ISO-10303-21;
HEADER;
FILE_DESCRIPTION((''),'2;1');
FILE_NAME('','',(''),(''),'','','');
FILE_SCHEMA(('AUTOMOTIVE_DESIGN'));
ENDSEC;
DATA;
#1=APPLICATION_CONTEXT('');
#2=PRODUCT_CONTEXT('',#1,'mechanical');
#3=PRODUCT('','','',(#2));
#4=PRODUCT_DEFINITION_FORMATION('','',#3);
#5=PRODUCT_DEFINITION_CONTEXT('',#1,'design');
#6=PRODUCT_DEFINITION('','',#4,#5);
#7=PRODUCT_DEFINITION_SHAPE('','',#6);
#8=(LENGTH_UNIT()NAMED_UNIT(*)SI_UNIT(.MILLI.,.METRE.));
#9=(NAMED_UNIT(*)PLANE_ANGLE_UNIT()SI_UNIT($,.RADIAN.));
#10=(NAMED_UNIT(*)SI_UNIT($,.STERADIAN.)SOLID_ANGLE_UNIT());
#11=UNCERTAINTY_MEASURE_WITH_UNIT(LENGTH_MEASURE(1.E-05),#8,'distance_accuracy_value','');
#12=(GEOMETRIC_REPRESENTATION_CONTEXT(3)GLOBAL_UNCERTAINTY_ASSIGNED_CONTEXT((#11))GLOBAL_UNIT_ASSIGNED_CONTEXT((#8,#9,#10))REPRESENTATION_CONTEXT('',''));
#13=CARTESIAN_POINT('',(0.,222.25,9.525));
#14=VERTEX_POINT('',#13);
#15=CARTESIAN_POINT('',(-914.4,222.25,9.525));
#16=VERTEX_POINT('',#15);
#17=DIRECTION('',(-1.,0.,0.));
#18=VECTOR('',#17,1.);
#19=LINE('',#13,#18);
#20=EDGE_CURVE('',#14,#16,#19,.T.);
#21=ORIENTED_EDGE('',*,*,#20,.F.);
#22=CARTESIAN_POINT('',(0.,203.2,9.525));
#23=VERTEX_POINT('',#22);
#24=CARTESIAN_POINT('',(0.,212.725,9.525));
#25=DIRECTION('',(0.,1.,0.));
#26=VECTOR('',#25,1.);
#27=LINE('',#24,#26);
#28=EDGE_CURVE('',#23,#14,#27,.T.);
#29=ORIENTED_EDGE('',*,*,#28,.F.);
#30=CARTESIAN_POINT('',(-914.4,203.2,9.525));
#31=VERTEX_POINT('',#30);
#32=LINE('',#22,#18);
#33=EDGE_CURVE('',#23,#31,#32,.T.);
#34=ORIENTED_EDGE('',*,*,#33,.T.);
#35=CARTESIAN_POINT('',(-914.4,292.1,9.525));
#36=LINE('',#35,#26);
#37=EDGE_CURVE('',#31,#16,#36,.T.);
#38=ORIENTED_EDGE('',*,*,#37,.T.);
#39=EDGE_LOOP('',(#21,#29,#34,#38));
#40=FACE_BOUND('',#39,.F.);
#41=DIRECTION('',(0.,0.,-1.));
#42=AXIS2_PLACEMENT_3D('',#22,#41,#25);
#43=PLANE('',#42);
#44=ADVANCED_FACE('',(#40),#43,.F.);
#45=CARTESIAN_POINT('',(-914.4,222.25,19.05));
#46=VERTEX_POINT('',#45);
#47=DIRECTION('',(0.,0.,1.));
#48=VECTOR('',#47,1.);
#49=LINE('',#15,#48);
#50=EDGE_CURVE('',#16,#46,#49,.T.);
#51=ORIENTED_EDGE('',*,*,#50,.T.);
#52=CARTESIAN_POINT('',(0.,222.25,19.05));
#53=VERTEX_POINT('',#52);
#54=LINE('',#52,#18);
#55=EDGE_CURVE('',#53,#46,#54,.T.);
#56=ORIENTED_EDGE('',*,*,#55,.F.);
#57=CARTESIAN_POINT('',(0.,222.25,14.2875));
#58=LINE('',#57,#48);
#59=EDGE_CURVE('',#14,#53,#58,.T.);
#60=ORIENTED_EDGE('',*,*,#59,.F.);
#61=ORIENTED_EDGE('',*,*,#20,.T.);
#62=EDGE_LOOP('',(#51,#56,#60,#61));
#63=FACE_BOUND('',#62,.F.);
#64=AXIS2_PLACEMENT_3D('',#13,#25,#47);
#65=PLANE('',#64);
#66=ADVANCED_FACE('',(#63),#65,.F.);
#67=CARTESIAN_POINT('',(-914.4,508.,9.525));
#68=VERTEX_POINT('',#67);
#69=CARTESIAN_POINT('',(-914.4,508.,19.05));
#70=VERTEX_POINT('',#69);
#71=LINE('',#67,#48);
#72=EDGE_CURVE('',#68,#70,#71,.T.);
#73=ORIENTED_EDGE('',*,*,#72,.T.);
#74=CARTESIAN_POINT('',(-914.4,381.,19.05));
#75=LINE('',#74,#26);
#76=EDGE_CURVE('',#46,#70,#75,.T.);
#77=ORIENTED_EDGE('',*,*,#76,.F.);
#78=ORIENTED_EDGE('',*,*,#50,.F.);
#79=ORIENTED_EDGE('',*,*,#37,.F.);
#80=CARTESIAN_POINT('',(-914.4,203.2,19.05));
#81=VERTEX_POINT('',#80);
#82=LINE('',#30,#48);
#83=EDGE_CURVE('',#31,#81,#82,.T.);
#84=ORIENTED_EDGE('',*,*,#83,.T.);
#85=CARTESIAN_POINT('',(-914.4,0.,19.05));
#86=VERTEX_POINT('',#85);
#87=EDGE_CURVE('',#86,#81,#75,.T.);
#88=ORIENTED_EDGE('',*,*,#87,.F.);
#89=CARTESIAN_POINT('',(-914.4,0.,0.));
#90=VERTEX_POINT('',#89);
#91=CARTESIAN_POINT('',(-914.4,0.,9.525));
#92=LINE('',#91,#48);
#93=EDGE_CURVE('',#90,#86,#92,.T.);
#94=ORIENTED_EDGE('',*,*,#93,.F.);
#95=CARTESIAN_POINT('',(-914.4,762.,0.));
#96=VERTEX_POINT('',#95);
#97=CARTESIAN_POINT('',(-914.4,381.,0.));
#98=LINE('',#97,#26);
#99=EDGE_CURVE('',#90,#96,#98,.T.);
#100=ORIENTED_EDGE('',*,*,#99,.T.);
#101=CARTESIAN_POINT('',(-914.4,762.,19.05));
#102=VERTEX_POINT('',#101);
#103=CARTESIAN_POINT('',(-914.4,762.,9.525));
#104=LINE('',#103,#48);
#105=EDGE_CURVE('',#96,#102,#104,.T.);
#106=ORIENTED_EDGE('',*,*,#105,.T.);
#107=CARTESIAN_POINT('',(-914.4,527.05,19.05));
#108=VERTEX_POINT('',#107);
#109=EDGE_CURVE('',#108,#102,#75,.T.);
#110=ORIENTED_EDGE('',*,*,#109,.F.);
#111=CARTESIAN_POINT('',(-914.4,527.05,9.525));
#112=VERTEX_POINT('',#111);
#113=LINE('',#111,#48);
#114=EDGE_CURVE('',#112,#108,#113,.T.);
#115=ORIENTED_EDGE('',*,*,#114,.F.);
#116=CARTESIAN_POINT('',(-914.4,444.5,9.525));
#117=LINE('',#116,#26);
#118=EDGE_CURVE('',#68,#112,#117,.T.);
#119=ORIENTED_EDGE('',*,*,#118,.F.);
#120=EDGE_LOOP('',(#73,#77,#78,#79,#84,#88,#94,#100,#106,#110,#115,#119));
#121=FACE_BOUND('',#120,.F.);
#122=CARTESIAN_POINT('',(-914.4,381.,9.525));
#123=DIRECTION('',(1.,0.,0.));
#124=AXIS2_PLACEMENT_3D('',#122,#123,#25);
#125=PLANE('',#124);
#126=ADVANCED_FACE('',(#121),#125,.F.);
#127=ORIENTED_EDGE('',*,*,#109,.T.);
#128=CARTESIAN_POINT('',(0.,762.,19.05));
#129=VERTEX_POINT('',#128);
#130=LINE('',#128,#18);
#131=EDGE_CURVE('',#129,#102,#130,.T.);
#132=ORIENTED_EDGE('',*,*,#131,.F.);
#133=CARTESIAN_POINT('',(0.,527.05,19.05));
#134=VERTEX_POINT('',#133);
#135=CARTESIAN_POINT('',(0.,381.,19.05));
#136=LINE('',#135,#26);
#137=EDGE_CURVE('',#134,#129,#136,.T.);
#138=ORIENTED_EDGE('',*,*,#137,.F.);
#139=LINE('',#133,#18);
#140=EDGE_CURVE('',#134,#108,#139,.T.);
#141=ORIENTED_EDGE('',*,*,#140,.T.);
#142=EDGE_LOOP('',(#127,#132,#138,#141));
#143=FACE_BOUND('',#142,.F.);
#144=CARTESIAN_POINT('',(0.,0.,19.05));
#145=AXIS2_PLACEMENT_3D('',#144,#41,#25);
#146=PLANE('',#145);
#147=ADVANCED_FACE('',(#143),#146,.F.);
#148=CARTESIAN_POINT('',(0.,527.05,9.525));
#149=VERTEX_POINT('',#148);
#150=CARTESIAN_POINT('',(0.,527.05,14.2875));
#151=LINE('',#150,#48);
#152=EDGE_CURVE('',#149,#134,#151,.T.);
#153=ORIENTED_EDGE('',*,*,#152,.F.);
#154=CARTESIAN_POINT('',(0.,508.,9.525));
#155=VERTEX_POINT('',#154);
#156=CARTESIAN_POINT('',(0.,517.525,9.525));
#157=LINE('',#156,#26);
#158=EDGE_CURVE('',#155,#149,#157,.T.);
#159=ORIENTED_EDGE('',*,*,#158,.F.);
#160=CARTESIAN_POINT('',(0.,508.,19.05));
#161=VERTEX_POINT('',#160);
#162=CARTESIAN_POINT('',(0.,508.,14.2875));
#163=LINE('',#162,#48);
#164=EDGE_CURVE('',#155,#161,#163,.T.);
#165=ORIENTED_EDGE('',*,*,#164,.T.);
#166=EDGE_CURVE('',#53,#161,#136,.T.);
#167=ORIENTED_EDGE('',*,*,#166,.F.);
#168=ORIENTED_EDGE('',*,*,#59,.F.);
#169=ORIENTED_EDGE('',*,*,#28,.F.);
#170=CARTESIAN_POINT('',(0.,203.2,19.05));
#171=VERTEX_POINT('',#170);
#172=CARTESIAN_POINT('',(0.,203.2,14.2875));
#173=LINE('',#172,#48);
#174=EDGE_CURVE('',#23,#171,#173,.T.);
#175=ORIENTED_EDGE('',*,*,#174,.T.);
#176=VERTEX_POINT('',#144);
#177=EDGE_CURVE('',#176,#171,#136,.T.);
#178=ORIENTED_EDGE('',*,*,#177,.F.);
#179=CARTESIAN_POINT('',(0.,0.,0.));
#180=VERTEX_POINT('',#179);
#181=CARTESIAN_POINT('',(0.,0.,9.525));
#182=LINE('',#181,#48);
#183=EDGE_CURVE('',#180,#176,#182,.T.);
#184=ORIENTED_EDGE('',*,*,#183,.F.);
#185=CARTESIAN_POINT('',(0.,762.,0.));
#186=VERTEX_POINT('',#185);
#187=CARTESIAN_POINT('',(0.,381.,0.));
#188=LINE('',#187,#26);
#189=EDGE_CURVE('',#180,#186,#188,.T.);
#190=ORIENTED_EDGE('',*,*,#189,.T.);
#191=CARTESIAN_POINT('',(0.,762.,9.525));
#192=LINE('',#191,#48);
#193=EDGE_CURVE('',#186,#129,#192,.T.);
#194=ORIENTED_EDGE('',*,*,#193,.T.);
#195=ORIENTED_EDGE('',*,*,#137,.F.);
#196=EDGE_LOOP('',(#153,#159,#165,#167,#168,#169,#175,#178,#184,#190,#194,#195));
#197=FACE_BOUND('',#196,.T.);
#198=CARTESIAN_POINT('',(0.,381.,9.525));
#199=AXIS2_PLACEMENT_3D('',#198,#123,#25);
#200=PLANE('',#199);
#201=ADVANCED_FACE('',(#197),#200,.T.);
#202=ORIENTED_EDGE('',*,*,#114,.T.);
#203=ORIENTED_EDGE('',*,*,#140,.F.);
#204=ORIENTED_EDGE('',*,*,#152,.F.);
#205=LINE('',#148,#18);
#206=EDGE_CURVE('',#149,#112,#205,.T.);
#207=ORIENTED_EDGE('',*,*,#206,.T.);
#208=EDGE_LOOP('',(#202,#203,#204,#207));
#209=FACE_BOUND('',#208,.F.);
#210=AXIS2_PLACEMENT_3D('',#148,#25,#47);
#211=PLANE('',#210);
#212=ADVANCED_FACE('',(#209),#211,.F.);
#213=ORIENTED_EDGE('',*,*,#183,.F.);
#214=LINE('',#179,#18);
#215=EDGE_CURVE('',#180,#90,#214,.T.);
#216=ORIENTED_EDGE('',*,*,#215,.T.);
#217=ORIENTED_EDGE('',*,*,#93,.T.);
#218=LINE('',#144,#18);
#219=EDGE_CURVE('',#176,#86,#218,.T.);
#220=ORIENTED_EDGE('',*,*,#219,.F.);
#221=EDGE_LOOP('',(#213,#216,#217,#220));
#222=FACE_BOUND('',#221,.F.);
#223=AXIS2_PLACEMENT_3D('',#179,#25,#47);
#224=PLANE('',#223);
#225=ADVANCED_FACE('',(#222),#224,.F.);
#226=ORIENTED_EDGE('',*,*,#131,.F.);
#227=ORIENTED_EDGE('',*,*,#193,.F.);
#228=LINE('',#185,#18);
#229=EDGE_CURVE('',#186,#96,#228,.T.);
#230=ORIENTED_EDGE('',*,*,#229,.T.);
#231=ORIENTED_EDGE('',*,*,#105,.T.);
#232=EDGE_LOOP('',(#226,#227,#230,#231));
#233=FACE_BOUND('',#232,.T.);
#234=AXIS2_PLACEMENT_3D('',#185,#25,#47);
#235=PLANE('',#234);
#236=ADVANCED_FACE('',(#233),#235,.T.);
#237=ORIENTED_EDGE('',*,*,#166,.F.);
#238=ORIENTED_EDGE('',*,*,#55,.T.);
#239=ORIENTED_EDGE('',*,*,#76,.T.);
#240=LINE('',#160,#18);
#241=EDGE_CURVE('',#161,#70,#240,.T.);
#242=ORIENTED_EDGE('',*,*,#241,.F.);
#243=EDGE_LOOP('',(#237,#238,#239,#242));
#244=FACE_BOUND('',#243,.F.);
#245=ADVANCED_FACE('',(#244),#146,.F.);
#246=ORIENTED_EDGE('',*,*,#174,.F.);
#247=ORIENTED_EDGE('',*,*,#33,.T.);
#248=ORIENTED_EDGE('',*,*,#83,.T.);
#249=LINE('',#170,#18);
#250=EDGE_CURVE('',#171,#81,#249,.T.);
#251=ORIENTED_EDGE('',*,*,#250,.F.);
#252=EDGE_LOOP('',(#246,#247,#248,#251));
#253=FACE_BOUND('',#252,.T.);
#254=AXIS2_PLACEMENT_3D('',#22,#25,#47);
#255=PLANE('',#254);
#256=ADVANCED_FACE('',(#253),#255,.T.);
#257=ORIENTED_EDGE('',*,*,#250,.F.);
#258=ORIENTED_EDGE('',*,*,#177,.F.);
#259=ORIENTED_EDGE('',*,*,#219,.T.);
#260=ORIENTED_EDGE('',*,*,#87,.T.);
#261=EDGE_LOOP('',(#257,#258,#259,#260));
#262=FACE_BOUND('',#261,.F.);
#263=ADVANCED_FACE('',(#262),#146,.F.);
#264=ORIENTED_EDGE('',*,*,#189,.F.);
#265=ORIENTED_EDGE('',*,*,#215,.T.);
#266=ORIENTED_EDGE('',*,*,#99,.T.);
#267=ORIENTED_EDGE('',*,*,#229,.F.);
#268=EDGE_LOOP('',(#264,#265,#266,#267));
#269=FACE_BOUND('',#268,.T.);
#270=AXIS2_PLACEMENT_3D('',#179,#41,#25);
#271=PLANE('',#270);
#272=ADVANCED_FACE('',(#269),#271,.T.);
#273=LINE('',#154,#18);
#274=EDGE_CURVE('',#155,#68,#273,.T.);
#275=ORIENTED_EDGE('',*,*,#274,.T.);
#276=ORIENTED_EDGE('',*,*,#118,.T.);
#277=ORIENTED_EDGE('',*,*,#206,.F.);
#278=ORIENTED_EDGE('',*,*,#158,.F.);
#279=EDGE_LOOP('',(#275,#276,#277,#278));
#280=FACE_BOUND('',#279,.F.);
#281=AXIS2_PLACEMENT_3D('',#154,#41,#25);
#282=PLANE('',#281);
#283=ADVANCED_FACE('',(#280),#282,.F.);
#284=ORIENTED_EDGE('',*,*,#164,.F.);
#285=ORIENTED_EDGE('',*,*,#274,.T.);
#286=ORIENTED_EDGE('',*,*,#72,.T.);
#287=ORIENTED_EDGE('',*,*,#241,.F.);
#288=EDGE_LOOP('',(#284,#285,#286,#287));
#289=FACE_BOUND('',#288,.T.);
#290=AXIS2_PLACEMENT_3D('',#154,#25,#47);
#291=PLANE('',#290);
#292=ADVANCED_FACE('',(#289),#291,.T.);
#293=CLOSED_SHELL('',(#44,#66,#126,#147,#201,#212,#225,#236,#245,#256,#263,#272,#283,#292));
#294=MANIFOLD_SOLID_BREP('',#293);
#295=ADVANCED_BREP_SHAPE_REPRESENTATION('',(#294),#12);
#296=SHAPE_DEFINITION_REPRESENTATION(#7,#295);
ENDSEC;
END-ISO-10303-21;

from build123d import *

# Parameters (mm, degrees)
F0_W     = 762
F0_H     = 19.05
F1_DEPTH = 914.4
F2_W     = 19.05
F2_H     = 9.525
F3_DEPTH = 914.401
F4_W     = 38.1
F4_H     = 38.1
F5_DEPTH = 711.2


with BuildPart() as f1:
    # F0 (on Right) → F1 (new body)
    with BuildSketch(Plane.YZ):
        with Locations((381, 9.525)):
            Rectangle(F0_W, F0_H)
    extrude(amount=-F1_DEPTH)

    # F2 (on face) → F3 (cut, through all)
    with BuildSketch(Plane.YZ):
        with Locations((212.725, 14.2875)):
            Rectangle(F2_W, F2_H)
        with Locations((517.525, 14.2875)):
            Rectangle(F2_W, F2_H)
    extrude(amount=-F3_DEPTH, mode=Mode.SUBTRACT)


with BuildPart() as f5:
    # F4 (on face) → F5 (new body)
    with BuildSketch(Plane(origin=(0, 0, 0), x_dir=(1, 0, 0), z_dir=(0, 0, -1))):
        with Locations((-895.35, -31.75)):
            Rectangle(F4_W, F4_H)
    extrude(amount=F5_DEPTH)


solid = f1.part
